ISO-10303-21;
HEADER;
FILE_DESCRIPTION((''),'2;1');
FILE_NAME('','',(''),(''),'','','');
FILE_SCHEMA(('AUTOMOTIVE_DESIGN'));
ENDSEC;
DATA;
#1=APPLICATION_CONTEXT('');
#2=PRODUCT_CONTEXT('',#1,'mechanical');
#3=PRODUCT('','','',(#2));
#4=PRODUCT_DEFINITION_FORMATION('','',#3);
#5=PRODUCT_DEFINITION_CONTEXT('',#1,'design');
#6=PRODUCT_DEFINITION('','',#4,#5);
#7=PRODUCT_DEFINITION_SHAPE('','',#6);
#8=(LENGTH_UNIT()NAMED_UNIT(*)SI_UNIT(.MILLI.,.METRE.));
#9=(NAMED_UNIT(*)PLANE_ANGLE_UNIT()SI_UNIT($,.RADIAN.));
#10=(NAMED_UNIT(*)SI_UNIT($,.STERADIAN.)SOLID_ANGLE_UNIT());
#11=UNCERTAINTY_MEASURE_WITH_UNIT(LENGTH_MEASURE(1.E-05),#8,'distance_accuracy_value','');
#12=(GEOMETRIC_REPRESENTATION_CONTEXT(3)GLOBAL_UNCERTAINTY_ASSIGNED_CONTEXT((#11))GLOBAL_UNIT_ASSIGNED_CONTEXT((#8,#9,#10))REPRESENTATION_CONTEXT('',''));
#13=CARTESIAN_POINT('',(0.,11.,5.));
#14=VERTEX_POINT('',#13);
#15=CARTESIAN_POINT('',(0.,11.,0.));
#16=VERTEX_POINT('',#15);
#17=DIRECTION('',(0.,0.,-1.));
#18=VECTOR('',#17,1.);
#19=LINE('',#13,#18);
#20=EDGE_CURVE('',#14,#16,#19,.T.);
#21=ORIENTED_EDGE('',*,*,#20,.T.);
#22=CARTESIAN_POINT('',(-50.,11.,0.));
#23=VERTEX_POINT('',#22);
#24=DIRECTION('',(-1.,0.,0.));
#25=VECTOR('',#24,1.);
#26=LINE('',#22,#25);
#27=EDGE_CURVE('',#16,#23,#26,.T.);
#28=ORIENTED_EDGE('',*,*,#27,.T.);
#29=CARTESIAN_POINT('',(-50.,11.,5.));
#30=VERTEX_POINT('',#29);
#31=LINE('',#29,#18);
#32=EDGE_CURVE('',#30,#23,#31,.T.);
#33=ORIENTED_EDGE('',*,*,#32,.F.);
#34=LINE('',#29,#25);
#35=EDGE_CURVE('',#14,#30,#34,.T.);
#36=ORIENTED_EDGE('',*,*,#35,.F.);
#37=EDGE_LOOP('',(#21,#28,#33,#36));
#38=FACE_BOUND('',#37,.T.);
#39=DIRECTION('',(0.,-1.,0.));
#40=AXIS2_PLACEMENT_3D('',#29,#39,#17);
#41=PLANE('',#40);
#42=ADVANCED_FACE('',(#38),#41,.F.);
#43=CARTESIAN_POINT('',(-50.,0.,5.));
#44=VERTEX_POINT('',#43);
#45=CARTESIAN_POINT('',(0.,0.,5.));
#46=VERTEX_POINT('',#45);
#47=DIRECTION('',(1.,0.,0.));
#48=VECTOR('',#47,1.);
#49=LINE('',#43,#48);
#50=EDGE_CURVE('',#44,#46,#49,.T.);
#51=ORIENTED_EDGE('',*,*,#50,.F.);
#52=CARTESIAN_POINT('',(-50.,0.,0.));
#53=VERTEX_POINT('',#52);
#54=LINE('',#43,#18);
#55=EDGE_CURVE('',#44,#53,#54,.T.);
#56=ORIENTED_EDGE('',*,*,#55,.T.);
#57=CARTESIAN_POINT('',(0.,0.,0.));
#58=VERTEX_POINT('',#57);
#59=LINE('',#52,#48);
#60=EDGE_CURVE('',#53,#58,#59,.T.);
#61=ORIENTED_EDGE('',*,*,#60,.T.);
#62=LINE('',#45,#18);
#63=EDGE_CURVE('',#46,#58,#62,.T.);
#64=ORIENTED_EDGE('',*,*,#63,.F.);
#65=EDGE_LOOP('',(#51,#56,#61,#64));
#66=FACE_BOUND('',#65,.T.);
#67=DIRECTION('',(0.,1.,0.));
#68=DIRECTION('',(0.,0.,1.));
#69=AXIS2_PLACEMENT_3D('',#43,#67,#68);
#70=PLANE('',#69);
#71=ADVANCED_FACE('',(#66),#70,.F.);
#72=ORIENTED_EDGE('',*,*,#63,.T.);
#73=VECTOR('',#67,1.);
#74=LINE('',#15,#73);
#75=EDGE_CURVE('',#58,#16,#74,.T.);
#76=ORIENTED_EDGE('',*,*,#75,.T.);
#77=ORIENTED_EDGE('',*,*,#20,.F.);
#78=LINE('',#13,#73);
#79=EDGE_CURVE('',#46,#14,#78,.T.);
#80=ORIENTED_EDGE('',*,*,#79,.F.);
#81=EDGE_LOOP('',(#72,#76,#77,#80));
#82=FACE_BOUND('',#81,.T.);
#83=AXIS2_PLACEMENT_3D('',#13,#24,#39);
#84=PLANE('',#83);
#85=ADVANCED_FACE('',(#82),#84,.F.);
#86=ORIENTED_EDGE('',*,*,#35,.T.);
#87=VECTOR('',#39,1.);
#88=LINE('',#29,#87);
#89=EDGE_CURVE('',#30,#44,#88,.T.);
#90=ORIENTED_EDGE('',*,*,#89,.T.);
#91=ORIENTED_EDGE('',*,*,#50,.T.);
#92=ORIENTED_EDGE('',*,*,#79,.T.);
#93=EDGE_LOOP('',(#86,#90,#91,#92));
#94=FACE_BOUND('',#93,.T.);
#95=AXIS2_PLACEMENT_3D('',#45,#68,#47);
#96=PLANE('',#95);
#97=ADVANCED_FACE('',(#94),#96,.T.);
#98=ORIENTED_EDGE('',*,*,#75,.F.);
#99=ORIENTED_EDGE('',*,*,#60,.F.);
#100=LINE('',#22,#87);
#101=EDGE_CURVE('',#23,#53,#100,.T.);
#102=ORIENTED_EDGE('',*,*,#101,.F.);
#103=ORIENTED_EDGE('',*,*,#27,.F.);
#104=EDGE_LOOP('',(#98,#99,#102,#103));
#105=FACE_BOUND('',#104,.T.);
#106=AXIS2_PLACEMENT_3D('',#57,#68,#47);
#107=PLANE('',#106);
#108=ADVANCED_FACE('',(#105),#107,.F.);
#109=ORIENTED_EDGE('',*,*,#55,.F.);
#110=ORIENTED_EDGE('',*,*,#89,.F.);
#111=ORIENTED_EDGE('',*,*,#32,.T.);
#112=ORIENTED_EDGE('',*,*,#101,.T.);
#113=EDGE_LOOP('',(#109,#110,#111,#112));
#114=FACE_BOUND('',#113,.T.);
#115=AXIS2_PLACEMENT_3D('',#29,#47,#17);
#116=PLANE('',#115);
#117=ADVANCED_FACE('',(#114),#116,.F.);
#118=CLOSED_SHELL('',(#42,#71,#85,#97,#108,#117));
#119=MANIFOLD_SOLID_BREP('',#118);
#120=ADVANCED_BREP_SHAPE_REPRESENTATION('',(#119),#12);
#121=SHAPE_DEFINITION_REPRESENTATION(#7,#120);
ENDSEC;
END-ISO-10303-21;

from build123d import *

# Parameters (mm, degrees)
EDRAWING1_W    = 50
EDRAWING1_H    = 11
EXTRUDE1_DEPTH = 5


with BuildPart() as part:
    # edrawing1 → extrude1 (new body)
    with BuildSketch(Plane.XY):
        with Locations((-25, 5.5)):
            Rectangle(EDRAWING1_W, EDRAWING1_H)
    extrude(amount=EXTRUDE1_DEPTH)


solid = part.part
